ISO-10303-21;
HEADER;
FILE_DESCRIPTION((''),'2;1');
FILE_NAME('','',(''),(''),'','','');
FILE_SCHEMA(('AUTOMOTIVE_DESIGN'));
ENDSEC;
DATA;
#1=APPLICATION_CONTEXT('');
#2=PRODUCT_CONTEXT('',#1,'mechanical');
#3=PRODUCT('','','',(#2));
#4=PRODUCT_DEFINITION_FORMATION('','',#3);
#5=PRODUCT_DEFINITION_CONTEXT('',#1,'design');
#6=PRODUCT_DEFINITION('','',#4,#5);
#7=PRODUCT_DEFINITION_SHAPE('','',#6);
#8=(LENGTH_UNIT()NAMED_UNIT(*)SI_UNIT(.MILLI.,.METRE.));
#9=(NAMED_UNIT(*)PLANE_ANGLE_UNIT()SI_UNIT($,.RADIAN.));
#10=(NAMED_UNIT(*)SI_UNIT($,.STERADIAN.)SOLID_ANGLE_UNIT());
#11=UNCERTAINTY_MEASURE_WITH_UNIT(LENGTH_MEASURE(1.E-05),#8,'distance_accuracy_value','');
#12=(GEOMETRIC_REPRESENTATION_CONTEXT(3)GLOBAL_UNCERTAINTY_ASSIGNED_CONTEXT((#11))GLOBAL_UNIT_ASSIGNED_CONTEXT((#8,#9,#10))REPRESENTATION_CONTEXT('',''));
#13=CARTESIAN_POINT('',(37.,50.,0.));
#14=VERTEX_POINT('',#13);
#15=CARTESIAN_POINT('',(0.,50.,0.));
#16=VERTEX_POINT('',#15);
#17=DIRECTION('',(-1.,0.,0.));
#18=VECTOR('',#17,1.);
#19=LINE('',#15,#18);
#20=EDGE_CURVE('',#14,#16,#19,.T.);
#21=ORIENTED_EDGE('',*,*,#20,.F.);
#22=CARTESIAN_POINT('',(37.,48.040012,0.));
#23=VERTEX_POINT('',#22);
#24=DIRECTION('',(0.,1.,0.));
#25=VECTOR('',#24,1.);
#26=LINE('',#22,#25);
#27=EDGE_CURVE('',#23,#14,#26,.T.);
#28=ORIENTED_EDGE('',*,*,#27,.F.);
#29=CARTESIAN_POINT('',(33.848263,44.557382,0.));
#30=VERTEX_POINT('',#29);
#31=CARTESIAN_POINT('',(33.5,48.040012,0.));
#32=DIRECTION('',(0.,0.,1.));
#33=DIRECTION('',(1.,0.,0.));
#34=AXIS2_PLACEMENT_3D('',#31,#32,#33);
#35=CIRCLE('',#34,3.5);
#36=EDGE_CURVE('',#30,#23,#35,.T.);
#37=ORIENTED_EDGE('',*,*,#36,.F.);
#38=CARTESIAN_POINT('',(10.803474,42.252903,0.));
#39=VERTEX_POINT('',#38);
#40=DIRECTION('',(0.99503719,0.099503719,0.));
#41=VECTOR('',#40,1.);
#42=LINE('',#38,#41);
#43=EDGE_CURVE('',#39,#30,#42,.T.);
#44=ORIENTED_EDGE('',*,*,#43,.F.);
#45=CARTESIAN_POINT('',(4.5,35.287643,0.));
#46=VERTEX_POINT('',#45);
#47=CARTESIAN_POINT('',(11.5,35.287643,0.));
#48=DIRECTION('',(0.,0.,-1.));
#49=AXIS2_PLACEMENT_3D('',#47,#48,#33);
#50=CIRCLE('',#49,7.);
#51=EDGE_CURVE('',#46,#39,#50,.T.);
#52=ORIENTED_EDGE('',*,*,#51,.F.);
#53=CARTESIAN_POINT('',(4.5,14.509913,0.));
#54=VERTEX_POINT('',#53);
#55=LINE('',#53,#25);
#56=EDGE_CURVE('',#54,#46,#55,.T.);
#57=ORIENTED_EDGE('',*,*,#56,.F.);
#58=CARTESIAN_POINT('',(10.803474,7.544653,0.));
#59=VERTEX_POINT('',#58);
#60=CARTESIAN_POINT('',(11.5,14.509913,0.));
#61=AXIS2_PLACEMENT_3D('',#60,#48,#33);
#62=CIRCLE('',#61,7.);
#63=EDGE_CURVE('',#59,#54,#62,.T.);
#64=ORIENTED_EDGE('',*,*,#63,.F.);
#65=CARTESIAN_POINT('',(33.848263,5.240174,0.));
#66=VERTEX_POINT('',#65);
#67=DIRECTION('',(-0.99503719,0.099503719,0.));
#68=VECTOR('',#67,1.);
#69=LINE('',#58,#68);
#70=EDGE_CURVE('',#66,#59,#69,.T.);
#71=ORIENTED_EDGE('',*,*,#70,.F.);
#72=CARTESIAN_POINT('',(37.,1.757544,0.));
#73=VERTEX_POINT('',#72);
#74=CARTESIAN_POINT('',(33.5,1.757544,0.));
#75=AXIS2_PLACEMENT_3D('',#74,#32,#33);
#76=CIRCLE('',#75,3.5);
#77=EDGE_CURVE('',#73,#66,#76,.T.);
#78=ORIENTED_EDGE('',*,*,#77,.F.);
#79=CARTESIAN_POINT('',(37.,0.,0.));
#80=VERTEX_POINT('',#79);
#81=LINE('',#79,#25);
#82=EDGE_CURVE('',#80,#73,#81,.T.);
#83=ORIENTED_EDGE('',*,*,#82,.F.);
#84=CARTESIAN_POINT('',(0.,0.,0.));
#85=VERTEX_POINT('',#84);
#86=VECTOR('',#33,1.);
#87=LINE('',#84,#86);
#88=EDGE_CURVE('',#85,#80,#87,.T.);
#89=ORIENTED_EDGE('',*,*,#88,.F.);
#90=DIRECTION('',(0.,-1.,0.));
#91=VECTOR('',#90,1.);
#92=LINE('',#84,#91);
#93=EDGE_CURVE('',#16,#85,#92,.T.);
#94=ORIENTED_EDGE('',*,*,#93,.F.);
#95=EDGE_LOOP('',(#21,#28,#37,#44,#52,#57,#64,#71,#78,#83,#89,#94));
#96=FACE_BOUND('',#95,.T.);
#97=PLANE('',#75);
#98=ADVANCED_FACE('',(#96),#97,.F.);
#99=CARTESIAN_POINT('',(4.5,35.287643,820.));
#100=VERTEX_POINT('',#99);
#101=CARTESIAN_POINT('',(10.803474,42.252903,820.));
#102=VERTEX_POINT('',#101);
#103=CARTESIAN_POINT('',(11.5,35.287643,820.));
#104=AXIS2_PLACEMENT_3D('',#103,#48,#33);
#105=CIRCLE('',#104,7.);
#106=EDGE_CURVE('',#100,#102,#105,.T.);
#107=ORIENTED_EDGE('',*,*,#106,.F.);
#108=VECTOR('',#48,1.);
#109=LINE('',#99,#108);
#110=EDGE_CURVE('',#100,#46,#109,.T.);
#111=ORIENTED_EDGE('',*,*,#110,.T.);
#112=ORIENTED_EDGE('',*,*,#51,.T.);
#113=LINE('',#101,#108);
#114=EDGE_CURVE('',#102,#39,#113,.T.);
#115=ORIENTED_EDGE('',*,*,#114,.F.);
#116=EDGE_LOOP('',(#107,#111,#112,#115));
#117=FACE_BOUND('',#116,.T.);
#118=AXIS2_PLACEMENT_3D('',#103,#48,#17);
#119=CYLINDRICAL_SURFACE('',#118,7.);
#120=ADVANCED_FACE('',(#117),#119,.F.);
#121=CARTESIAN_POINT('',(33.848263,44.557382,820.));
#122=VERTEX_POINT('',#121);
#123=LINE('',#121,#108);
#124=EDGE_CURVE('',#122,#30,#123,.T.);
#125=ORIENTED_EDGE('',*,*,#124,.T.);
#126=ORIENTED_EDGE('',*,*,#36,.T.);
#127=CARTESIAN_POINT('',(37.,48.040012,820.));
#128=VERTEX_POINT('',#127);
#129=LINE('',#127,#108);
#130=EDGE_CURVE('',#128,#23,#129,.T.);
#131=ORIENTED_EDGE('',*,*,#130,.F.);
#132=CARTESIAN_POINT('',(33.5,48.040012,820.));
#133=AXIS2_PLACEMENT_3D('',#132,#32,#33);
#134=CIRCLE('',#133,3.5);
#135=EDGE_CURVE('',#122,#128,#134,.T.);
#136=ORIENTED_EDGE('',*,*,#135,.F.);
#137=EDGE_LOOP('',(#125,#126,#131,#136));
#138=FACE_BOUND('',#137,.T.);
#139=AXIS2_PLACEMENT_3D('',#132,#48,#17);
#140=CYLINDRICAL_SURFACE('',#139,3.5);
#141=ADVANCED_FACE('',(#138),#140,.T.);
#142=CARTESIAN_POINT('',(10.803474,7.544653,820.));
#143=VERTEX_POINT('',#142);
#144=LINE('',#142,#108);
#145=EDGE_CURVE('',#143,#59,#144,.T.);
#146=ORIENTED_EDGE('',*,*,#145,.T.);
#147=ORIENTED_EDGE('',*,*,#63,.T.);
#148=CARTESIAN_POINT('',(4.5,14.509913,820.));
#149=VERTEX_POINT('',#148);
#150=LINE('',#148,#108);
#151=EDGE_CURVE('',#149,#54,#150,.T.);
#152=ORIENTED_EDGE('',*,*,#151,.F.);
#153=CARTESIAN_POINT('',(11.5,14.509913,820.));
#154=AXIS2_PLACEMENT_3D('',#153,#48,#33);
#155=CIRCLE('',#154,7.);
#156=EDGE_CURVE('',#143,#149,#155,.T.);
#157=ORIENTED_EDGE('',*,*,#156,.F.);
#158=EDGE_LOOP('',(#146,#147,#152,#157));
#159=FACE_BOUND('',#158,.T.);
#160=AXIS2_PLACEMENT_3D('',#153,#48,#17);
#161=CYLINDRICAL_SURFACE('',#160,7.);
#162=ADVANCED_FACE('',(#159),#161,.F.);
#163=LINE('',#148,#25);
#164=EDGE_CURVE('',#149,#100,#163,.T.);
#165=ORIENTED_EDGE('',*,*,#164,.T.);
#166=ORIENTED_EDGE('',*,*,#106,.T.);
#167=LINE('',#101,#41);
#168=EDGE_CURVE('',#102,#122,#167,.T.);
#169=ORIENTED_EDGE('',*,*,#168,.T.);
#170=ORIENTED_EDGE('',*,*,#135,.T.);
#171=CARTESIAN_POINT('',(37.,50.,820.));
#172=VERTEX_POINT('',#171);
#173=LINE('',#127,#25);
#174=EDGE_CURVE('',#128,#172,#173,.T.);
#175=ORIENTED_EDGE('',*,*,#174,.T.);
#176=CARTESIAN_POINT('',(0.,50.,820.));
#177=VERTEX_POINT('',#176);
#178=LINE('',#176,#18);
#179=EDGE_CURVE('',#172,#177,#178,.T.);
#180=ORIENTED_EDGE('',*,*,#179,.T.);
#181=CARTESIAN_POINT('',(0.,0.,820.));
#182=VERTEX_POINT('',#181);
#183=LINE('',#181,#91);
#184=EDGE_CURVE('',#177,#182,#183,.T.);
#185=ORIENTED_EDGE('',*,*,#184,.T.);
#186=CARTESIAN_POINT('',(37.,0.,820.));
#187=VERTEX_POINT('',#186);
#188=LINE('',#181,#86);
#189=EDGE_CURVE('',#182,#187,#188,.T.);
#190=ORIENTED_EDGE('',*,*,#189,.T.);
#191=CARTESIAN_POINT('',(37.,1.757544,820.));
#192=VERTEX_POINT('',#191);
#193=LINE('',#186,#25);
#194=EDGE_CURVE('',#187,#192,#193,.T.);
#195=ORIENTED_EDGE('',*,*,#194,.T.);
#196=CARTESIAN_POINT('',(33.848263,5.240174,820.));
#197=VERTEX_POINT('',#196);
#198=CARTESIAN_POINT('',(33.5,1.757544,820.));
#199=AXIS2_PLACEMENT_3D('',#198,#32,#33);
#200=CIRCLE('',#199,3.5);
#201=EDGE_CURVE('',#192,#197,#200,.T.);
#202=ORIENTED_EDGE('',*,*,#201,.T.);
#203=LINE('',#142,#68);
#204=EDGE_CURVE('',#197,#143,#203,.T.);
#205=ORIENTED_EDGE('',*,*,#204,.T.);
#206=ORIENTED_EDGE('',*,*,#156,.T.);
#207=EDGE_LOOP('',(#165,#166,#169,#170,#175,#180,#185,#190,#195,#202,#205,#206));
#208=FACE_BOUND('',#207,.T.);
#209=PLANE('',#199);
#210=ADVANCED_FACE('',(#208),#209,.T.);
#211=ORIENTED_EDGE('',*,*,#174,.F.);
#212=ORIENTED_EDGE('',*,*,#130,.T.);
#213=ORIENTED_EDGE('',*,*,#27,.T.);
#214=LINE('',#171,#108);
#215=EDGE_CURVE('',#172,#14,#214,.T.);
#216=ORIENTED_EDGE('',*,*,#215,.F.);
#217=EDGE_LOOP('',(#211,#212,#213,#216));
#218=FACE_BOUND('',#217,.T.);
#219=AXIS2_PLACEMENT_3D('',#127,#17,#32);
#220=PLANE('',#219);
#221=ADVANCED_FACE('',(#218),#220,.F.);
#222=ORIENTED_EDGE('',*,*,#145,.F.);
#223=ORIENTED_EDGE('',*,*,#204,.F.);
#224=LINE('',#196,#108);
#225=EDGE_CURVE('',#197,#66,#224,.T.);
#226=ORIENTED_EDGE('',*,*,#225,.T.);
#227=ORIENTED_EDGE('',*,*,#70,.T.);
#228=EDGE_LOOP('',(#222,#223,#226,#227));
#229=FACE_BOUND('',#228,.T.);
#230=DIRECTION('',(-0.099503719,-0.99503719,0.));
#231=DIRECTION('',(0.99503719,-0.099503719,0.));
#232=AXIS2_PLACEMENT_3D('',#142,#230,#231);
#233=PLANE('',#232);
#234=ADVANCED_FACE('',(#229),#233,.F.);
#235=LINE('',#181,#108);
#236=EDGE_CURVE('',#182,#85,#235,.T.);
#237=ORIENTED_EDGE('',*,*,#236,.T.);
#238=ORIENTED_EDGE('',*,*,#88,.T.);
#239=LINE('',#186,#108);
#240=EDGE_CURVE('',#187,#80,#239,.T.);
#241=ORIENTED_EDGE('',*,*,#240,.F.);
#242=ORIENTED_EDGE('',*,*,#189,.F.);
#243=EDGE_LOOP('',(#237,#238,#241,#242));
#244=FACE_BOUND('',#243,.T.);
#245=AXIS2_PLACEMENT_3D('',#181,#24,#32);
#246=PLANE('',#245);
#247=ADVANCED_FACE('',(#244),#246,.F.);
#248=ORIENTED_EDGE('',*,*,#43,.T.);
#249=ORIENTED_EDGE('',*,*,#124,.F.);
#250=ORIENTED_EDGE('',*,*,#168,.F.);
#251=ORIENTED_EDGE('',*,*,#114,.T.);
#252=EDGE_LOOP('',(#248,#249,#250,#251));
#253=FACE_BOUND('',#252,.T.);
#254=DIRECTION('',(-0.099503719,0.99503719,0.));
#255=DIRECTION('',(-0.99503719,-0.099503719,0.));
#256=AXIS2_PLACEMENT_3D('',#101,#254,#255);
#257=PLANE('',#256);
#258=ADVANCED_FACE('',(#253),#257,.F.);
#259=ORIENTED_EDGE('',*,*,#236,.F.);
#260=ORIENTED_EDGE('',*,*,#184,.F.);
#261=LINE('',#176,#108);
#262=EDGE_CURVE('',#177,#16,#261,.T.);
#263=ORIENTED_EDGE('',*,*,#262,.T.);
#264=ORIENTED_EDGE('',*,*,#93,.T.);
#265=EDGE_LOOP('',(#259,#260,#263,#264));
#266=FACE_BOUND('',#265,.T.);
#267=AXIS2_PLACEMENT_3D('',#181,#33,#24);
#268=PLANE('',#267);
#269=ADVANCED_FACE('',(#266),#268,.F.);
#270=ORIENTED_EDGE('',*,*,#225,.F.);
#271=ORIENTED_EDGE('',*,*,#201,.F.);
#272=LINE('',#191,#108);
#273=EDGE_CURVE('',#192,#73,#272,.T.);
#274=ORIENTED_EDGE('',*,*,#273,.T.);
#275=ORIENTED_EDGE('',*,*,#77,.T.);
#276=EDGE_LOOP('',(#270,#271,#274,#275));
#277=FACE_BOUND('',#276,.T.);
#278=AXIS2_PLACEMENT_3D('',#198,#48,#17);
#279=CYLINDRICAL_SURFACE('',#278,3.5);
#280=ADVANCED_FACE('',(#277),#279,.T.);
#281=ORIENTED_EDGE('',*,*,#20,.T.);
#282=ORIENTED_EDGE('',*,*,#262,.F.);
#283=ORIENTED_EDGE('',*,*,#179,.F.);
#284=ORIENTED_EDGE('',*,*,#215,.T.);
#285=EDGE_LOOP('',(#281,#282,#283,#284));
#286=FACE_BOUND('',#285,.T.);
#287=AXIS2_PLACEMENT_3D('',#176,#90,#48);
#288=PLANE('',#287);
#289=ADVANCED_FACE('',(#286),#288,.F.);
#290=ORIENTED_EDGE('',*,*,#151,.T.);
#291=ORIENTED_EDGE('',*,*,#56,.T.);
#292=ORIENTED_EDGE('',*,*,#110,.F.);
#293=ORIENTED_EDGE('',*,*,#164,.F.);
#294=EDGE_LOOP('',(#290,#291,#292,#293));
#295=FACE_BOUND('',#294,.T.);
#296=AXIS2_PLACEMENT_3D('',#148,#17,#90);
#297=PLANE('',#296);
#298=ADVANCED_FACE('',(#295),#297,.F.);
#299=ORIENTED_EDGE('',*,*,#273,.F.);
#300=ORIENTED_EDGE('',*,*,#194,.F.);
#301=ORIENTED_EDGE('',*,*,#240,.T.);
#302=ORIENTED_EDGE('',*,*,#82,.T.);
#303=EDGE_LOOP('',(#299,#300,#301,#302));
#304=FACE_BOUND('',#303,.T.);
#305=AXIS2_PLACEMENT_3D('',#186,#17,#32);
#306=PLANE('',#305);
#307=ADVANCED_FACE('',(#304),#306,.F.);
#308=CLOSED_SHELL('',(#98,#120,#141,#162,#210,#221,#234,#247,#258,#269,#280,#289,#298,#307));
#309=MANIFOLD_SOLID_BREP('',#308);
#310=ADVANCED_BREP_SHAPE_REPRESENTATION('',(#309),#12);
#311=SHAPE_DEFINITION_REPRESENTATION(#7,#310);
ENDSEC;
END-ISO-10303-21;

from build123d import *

# Parameters (mm, degrees)
EXTRUDE_1_DEPTH = 820


with BuildPart() as part:
    # 草图1 → 凸台-拉伸1 (new body)
    with BuildSketch(Plane.XY):
        with BuildLine():
            Line((0, 0), (0, 50))
            Line((0, 50), (37, 50))
            Line((37, 50), (37, 48.040012398))
            ThreePointArc((37, 48.040012398), (36.095083867, 45.691493776), (33.848263017, 44.557382233))
            Line((33.848263017, 44.557382233), (10.803473967, 42.252903328))
            ThreePointArc((10.803473967, 42.252903328), (6.309832265, 39.984680242), (4.5, 35.287642996))
            Line((4.5, 35.287642996), (4.5, 14.509912935))
            ThreePointArc((4.5, 14.509912935), (6.309832265, 9.812875689), (10.803473967, 7.544652603))
            Line((10.803473967, 7.544652603), (33.848263017, 5.240173698))
            ThreePointArc((33.848263017, 5.240173698), (36.095083867, 4.106062155), (37, 1.757543533))
            Line((37, 1.757543533), (37, 0))
            Line((37, 0), (0, 0))
        make_face()
    extrude(amount=EXTRUDE_1_DEPTH)


solid = part.part
